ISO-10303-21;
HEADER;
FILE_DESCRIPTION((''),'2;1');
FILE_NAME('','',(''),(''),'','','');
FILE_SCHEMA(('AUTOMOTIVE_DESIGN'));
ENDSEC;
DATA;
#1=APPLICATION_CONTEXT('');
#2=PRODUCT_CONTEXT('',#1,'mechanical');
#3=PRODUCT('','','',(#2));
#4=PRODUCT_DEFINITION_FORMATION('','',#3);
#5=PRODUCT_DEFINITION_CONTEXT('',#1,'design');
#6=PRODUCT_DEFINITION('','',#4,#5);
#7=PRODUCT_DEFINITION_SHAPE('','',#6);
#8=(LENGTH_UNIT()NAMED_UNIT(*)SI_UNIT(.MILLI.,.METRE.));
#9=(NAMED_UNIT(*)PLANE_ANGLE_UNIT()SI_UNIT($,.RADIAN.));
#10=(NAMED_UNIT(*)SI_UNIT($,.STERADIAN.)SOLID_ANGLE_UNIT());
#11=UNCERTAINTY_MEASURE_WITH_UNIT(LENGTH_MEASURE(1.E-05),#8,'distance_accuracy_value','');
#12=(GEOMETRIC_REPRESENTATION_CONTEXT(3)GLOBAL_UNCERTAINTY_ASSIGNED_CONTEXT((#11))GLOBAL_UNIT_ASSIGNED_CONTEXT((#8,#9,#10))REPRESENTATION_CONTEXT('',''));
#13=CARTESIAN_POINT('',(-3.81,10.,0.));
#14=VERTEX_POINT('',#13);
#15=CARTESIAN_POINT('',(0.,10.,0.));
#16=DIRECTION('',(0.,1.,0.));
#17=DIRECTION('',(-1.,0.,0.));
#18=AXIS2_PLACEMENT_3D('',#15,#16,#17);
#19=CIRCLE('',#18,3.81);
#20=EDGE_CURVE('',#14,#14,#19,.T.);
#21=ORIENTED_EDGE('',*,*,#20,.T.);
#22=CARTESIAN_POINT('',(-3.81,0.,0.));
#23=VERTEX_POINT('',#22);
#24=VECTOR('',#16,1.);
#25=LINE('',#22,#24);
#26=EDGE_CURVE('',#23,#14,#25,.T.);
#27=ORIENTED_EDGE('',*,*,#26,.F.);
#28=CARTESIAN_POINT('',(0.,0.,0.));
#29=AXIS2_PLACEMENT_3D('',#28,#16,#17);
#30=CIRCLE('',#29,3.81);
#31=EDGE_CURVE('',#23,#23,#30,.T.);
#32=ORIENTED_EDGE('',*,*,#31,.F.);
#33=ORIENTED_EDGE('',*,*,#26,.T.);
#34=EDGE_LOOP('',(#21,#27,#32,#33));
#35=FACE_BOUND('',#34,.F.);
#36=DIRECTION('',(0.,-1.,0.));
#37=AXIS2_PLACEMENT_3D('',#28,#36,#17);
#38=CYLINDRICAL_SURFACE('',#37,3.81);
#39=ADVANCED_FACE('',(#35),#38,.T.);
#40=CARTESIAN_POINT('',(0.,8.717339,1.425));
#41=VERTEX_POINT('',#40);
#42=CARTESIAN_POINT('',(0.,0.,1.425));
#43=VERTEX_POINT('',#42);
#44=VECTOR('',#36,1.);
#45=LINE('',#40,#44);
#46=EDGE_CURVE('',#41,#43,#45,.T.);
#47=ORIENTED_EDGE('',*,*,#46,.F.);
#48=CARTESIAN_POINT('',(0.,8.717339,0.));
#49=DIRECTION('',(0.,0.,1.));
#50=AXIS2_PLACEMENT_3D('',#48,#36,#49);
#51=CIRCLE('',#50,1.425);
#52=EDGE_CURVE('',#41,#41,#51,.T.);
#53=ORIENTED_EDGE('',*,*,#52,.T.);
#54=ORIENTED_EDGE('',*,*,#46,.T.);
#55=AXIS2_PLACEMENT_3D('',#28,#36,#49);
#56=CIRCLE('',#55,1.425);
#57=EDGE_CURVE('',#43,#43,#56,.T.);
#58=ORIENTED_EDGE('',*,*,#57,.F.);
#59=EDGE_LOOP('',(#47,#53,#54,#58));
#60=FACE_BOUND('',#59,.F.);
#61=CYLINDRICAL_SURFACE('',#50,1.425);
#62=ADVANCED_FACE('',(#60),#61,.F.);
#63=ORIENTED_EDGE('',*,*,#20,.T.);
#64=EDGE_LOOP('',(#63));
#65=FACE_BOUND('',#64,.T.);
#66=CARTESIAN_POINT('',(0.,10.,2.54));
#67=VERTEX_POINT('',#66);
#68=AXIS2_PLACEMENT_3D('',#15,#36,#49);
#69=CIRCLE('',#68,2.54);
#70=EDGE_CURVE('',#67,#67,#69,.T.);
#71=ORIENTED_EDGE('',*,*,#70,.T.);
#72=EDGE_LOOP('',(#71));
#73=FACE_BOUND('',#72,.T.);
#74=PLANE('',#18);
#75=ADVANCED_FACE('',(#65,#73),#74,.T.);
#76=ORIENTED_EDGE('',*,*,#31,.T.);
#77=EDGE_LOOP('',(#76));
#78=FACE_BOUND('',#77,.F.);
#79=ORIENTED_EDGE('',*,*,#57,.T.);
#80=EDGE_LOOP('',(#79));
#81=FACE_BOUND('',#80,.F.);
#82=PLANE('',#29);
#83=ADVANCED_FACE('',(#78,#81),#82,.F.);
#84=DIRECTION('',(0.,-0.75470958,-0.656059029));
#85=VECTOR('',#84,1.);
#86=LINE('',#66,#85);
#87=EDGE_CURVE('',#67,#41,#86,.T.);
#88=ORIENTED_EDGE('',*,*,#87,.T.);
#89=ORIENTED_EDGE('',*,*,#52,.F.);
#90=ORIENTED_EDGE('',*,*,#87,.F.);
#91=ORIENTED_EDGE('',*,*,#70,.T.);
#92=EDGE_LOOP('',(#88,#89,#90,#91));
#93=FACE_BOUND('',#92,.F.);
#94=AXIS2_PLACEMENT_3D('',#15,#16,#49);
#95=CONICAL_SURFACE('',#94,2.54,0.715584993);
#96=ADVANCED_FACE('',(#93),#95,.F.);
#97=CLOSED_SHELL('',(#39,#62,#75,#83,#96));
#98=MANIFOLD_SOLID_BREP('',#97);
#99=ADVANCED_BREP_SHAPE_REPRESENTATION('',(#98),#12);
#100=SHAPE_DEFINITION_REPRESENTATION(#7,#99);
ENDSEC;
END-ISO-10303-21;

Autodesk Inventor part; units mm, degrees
ref_plane "YZ Plane" through (0, 0, 0) normal (1, 0, 0) x (0, 1, 0)
ref_plane "XZ Plane" through (0, 0, 0) normal (0, 1, 0) x (-1, 0, 0)
ref_plane "XY Plane" through (0, 0, 0) normal (0, 0, 1) x (1, 0, 0)
sketch "Sketch1" plane through (0, 0, 0) normal (0, 1, 0) x (-1, 0, 0)
  circle A0 centre (0, 0) radius 3.81
  dimension "d0" = 7.62
extrude "Extrusion1" add sketch "Sketch1" along normal blind 10
sketch "Sketch2" plane through (0, 10, 0) normal (0, 1, 0) x (1, 0, 0)
  point P0 (0, 0)
  point P1 (0, 0)
hole "Hole1" at (0, 10, 0) direction (0, -1, 0) diameter 2.85 end through all countersink diameter 5.08 countersink angle 82 thread size "M3.5x0.6" class "6H" standard "ANSI Metric M Profile"
properties part number "Screw_Test"
